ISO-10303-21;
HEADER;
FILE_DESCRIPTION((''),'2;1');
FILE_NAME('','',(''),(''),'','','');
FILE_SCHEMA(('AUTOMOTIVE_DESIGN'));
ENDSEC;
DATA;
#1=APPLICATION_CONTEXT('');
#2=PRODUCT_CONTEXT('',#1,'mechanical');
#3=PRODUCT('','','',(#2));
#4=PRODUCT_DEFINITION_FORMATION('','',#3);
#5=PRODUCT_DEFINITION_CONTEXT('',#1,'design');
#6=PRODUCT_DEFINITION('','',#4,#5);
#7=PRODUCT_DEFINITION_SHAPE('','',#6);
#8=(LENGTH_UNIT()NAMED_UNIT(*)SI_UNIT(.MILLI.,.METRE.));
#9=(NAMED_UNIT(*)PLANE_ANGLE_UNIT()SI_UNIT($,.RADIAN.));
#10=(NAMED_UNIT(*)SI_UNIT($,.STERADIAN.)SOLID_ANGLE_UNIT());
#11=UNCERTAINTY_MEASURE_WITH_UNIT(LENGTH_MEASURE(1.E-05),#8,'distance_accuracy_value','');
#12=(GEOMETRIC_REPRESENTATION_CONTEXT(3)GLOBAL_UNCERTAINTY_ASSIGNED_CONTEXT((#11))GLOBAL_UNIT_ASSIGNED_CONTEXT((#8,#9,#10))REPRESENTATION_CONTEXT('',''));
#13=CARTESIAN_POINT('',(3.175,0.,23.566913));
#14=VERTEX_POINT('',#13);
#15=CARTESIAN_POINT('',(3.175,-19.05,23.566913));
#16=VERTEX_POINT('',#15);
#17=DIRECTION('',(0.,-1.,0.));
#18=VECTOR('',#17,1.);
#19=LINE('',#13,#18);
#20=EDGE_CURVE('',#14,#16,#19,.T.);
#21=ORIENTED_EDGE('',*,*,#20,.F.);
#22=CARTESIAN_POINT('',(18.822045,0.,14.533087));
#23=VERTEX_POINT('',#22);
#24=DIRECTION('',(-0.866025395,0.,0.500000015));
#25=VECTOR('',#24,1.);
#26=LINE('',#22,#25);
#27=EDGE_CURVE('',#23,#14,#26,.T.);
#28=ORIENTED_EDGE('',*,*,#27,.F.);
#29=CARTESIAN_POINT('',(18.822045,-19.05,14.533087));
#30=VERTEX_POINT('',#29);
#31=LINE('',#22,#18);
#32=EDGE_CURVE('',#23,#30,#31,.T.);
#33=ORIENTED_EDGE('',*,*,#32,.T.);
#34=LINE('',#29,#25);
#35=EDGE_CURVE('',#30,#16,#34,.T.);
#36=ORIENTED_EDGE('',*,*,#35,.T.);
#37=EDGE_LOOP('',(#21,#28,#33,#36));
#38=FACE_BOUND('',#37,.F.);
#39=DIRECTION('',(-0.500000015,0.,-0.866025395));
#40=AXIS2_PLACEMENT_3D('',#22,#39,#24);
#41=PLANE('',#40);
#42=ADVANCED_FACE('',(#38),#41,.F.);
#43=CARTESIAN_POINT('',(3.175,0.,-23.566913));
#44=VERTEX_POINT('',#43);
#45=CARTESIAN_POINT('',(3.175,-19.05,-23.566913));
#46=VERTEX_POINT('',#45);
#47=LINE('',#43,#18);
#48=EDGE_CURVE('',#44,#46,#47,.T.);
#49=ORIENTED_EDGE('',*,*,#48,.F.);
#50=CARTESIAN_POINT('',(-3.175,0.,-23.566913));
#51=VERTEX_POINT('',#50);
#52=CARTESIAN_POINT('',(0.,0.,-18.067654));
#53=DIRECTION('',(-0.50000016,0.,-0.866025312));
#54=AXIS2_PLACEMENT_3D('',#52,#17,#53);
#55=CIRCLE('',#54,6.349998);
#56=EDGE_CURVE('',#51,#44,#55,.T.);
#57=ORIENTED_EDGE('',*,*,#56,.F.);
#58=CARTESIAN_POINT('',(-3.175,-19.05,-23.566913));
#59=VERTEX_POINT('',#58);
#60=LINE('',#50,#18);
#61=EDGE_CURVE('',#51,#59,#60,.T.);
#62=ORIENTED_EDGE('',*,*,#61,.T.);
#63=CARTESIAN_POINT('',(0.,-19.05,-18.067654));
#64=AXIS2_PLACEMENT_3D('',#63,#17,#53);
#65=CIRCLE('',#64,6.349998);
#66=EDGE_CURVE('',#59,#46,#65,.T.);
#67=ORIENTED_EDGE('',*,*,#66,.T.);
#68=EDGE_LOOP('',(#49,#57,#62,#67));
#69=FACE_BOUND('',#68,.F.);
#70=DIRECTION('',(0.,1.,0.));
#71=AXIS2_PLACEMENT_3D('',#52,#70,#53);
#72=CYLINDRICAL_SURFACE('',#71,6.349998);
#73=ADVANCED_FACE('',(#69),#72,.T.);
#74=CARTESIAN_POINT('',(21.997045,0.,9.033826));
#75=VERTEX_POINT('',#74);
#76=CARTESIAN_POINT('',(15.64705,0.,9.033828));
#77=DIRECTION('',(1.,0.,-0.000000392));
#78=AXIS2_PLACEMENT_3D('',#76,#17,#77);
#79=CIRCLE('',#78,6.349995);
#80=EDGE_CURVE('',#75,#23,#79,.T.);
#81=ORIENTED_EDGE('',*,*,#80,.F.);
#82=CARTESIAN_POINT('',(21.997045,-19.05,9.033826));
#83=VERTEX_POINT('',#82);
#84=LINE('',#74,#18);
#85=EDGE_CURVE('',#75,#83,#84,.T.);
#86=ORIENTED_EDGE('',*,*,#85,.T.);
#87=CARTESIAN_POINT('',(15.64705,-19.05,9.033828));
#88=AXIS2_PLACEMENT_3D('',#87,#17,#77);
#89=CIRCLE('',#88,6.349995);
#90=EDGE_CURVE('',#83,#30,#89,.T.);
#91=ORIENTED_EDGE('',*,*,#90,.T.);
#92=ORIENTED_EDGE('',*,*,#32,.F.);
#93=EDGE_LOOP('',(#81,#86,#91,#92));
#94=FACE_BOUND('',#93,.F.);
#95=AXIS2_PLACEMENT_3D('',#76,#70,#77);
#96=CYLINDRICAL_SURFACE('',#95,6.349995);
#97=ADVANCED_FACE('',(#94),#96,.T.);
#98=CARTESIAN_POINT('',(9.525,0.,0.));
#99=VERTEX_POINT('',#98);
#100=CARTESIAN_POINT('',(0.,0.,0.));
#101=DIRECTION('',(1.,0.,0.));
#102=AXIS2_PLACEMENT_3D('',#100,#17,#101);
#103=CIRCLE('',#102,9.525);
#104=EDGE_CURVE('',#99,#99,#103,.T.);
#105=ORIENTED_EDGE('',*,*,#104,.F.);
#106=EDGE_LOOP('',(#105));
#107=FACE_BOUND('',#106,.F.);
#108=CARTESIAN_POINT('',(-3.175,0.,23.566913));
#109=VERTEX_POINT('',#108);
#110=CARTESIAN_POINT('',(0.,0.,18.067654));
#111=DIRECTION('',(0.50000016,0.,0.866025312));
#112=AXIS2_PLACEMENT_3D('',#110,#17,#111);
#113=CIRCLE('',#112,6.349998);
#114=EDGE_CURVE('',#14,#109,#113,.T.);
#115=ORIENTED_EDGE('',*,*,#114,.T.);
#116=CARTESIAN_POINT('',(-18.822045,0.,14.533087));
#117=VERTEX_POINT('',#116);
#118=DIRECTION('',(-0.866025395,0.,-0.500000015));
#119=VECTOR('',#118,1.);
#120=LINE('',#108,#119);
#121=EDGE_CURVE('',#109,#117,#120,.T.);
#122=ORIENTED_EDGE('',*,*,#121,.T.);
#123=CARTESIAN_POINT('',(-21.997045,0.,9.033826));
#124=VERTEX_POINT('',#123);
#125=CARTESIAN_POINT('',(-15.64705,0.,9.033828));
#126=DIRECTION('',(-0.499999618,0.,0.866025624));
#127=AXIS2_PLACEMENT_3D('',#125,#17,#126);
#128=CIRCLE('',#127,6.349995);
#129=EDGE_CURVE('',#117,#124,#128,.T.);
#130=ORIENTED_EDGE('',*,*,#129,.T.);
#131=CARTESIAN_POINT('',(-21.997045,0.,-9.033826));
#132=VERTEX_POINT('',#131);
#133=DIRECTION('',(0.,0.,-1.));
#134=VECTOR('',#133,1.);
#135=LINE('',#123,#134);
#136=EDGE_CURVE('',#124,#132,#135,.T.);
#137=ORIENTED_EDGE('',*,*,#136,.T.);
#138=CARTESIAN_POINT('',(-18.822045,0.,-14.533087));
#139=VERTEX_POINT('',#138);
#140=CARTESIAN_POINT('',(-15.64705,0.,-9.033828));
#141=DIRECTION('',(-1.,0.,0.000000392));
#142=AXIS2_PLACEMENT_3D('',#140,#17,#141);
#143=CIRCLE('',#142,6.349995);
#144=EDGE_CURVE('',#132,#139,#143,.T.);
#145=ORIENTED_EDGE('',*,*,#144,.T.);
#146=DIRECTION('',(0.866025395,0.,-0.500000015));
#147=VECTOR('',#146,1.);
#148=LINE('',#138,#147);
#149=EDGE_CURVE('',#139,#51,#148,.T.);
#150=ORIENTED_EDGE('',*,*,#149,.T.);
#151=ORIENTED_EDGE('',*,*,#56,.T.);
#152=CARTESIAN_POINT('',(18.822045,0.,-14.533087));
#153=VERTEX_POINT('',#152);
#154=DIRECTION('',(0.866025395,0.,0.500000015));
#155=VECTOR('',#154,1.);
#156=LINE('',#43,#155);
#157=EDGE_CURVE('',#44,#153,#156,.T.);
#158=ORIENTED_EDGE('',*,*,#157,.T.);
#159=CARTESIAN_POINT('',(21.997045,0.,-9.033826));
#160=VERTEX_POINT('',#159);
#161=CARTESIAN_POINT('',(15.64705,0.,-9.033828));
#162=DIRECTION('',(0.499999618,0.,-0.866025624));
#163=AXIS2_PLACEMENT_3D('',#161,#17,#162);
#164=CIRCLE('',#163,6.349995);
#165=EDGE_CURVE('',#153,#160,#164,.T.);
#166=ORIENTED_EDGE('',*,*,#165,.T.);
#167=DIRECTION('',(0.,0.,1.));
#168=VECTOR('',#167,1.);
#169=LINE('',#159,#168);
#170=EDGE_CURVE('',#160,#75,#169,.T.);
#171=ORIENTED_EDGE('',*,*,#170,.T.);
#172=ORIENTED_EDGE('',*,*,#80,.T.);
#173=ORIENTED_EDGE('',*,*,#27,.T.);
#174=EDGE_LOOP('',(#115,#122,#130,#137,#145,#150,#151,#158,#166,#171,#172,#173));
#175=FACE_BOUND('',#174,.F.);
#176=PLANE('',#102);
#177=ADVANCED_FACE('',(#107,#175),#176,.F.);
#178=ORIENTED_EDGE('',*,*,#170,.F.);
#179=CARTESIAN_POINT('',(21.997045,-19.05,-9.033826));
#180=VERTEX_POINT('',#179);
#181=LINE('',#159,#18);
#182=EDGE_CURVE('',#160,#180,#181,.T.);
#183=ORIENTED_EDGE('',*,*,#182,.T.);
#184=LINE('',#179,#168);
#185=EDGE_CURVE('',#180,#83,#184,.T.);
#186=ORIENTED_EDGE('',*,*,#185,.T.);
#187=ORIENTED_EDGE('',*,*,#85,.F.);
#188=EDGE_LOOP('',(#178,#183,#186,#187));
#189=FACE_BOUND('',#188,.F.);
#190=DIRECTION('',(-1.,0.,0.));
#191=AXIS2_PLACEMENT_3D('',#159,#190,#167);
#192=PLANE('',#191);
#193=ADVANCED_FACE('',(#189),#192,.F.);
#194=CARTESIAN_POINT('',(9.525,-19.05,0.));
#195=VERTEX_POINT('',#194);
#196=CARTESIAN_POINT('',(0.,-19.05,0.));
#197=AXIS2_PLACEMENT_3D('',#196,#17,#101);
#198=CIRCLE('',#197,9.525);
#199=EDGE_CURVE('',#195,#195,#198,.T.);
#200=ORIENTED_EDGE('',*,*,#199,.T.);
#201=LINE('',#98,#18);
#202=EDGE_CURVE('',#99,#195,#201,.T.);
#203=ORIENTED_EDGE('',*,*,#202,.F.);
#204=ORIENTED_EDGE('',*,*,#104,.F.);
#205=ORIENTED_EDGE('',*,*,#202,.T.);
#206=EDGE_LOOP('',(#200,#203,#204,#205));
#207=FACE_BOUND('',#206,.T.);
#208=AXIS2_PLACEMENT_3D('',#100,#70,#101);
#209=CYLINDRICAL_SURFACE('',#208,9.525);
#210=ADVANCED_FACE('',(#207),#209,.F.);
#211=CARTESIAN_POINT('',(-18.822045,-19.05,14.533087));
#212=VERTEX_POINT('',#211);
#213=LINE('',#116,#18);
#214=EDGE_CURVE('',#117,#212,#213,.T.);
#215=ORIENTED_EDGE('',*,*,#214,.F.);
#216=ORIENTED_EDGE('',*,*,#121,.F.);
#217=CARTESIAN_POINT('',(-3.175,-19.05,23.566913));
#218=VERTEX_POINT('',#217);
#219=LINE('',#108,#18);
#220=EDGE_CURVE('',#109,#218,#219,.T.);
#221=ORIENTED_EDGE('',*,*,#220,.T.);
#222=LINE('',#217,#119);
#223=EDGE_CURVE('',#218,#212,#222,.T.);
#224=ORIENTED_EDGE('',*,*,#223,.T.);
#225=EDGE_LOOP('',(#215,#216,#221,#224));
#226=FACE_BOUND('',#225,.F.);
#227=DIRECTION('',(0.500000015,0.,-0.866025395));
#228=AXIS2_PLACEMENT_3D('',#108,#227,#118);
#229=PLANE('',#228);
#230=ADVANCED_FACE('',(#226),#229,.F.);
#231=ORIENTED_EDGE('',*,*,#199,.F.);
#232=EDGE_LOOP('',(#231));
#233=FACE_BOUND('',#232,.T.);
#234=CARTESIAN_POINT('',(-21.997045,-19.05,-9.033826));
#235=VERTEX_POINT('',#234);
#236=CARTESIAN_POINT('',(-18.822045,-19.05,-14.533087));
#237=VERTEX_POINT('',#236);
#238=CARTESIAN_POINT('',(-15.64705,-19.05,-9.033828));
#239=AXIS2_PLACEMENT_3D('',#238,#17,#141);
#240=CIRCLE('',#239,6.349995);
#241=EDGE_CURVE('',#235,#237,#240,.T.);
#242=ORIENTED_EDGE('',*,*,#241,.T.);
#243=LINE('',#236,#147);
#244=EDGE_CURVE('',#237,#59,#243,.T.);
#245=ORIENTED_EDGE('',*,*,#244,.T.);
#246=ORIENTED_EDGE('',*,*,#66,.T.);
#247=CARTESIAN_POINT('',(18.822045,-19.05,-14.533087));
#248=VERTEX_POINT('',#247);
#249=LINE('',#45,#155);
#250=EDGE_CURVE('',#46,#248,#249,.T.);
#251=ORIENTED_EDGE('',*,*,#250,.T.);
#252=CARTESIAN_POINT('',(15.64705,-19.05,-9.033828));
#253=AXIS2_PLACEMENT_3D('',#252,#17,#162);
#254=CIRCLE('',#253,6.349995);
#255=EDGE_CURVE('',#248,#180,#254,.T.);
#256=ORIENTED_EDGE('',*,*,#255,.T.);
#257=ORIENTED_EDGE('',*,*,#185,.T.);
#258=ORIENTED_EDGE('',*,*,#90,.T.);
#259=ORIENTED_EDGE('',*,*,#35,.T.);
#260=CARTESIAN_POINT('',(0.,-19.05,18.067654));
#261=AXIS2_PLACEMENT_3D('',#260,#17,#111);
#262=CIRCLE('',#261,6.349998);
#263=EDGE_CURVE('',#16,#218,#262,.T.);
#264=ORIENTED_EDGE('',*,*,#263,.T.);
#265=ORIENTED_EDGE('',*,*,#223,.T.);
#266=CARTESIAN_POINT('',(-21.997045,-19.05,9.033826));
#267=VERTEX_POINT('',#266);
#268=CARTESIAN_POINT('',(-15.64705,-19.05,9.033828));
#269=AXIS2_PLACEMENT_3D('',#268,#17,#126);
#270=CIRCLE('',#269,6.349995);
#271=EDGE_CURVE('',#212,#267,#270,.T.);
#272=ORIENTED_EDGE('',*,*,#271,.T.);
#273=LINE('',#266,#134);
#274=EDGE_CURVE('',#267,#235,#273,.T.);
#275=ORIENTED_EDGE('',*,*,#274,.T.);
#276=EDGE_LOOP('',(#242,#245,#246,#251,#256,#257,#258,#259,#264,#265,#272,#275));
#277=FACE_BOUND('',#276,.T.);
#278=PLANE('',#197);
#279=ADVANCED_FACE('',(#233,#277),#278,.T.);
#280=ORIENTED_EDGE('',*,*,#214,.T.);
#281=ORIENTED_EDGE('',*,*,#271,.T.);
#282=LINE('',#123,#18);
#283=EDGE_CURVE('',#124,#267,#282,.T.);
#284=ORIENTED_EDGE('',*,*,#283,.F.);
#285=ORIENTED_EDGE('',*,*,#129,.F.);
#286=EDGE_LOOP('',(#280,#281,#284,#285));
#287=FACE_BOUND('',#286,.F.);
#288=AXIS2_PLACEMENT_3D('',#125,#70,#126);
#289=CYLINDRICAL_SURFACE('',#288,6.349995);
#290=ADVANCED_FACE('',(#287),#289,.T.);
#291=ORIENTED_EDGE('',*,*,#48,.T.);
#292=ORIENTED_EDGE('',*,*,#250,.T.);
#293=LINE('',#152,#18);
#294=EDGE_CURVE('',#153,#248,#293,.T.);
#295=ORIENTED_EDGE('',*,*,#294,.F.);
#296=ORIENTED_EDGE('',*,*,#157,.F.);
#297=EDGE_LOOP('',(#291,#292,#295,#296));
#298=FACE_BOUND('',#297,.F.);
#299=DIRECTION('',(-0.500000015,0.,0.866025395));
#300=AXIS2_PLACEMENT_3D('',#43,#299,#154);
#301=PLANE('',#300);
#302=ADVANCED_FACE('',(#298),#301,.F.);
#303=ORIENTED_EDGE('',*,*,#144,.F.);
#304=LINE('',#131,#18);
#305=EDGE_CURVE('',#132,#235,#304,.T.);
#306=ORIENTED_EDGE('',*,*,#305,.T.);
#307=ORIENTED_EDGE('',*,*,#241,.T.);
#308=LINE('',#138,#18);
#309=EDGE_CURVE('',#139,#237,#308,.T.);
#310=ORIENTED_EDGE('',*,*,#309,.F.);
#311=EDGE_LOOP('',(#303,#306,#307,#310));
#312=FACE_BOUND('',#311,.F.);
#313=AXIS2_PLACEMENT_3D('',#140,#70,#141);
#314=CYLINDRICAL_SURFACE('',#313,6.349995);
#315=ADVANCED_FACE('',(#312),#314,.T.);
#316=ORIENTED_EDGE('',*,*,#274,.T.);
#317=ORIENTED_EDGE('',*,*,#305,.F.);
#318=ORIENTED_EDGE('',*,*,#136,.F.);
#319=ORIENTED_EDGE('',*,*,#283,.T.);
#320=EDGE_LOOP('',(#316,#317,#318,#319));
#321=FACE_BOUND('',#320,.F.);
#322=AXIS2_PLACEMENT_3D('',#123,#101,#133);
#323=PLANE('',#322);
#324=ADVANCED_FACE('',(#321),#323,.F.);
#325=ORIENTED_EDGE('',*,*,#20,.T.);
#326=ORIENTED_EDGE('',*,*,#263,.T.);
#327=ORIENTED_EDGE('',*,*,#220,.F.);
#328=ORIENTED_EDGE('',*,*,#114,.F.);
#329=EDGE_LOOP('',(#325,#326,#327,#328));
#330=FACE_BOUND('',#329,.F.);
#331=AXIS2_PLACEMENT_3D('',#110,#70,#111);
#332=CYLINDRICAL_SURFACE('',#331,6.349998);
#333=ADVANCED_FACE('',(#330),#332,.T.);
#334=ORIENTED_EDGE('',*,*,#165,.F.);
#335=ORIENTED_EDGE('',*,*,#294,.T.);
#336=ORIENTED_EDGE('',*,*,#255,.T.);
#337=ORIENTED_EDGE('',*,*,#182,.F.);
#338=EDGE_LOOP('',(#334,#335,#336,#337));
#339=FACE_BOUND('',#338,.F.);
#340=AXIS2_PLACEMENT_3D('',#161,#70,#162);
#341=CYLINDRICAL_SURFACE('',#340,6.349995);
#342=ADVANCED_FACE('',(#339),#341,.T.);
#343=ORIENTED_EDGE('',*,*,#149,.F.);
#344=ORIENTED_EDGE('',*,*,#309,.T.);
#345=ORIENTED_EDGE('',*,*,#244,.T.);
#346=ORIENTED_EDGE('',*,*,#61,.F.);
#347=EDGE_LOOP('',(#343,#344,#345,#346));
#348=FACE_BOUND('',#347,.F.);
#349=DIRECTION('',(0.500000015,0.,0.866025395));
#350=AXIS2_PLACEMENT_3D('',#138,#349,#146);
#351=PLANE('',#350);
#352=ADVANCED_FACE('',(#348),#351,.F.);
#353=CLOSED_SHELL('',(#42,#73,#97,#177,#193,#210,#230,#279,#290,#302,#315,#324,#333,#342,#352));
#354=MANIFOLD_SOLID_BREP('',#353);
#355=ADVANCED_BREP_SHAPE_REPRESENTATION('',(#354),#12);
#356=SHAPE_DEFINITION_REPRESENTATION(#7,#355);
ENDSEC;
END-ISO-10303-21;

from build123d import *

# Parameters (mm, degrees)
F0_R     = 9.525
F1_DEPTH = 19.05


with BuildPart() as f1:
    # F0 (on Front) → F1 (new body)
    with BuildSketch(Plane.XZ):
        with BuildLine():
            Line((-3.175, 23.566913), (-18.822045, 14.533087))
            ThreePointArc((-18.822045, 14.533087), (-21.146307, 12.208826), (-21.997045, 9.033826))
            Line((-21.997045, 9.033826), (-21.997045, -9.033826))
            ThreePointArc((-21.997045, -9.033826), (-21.146307, -12.208826), (-18.822045, -14.533087))
            Line((-18.822045, -14.533087), (-3.175, -23.566913))
            ThreePointArc((-3.175, -23.566913), (0, -24.417652), (3.175, -23.566913))
            Line((3.175, -23.566913), (18.822045, -14.533087))
            ThreePointArc((18.822045, -14.533087), (21.146307, -12.208826), (21.997045, -9.033826))
            Line((21.997045, -9.033826), (21.997045, 9.033826))
            ThreePointArc((21.997045, 9.033826), (21.146307, 12.208826), (18.822045, 14.533087))
            Line((18.822045, 14.533087), (3.175, 23.566913))
            ThreePointArc((3.175, 23.566913), (0, 24.417652), (-3.175, 23.566913))
        make_face()
        Circle(F0_R, mode=Mode.SUBTRACT)
    extrude(amount=F1_DEPTH)


solid = f1.part
